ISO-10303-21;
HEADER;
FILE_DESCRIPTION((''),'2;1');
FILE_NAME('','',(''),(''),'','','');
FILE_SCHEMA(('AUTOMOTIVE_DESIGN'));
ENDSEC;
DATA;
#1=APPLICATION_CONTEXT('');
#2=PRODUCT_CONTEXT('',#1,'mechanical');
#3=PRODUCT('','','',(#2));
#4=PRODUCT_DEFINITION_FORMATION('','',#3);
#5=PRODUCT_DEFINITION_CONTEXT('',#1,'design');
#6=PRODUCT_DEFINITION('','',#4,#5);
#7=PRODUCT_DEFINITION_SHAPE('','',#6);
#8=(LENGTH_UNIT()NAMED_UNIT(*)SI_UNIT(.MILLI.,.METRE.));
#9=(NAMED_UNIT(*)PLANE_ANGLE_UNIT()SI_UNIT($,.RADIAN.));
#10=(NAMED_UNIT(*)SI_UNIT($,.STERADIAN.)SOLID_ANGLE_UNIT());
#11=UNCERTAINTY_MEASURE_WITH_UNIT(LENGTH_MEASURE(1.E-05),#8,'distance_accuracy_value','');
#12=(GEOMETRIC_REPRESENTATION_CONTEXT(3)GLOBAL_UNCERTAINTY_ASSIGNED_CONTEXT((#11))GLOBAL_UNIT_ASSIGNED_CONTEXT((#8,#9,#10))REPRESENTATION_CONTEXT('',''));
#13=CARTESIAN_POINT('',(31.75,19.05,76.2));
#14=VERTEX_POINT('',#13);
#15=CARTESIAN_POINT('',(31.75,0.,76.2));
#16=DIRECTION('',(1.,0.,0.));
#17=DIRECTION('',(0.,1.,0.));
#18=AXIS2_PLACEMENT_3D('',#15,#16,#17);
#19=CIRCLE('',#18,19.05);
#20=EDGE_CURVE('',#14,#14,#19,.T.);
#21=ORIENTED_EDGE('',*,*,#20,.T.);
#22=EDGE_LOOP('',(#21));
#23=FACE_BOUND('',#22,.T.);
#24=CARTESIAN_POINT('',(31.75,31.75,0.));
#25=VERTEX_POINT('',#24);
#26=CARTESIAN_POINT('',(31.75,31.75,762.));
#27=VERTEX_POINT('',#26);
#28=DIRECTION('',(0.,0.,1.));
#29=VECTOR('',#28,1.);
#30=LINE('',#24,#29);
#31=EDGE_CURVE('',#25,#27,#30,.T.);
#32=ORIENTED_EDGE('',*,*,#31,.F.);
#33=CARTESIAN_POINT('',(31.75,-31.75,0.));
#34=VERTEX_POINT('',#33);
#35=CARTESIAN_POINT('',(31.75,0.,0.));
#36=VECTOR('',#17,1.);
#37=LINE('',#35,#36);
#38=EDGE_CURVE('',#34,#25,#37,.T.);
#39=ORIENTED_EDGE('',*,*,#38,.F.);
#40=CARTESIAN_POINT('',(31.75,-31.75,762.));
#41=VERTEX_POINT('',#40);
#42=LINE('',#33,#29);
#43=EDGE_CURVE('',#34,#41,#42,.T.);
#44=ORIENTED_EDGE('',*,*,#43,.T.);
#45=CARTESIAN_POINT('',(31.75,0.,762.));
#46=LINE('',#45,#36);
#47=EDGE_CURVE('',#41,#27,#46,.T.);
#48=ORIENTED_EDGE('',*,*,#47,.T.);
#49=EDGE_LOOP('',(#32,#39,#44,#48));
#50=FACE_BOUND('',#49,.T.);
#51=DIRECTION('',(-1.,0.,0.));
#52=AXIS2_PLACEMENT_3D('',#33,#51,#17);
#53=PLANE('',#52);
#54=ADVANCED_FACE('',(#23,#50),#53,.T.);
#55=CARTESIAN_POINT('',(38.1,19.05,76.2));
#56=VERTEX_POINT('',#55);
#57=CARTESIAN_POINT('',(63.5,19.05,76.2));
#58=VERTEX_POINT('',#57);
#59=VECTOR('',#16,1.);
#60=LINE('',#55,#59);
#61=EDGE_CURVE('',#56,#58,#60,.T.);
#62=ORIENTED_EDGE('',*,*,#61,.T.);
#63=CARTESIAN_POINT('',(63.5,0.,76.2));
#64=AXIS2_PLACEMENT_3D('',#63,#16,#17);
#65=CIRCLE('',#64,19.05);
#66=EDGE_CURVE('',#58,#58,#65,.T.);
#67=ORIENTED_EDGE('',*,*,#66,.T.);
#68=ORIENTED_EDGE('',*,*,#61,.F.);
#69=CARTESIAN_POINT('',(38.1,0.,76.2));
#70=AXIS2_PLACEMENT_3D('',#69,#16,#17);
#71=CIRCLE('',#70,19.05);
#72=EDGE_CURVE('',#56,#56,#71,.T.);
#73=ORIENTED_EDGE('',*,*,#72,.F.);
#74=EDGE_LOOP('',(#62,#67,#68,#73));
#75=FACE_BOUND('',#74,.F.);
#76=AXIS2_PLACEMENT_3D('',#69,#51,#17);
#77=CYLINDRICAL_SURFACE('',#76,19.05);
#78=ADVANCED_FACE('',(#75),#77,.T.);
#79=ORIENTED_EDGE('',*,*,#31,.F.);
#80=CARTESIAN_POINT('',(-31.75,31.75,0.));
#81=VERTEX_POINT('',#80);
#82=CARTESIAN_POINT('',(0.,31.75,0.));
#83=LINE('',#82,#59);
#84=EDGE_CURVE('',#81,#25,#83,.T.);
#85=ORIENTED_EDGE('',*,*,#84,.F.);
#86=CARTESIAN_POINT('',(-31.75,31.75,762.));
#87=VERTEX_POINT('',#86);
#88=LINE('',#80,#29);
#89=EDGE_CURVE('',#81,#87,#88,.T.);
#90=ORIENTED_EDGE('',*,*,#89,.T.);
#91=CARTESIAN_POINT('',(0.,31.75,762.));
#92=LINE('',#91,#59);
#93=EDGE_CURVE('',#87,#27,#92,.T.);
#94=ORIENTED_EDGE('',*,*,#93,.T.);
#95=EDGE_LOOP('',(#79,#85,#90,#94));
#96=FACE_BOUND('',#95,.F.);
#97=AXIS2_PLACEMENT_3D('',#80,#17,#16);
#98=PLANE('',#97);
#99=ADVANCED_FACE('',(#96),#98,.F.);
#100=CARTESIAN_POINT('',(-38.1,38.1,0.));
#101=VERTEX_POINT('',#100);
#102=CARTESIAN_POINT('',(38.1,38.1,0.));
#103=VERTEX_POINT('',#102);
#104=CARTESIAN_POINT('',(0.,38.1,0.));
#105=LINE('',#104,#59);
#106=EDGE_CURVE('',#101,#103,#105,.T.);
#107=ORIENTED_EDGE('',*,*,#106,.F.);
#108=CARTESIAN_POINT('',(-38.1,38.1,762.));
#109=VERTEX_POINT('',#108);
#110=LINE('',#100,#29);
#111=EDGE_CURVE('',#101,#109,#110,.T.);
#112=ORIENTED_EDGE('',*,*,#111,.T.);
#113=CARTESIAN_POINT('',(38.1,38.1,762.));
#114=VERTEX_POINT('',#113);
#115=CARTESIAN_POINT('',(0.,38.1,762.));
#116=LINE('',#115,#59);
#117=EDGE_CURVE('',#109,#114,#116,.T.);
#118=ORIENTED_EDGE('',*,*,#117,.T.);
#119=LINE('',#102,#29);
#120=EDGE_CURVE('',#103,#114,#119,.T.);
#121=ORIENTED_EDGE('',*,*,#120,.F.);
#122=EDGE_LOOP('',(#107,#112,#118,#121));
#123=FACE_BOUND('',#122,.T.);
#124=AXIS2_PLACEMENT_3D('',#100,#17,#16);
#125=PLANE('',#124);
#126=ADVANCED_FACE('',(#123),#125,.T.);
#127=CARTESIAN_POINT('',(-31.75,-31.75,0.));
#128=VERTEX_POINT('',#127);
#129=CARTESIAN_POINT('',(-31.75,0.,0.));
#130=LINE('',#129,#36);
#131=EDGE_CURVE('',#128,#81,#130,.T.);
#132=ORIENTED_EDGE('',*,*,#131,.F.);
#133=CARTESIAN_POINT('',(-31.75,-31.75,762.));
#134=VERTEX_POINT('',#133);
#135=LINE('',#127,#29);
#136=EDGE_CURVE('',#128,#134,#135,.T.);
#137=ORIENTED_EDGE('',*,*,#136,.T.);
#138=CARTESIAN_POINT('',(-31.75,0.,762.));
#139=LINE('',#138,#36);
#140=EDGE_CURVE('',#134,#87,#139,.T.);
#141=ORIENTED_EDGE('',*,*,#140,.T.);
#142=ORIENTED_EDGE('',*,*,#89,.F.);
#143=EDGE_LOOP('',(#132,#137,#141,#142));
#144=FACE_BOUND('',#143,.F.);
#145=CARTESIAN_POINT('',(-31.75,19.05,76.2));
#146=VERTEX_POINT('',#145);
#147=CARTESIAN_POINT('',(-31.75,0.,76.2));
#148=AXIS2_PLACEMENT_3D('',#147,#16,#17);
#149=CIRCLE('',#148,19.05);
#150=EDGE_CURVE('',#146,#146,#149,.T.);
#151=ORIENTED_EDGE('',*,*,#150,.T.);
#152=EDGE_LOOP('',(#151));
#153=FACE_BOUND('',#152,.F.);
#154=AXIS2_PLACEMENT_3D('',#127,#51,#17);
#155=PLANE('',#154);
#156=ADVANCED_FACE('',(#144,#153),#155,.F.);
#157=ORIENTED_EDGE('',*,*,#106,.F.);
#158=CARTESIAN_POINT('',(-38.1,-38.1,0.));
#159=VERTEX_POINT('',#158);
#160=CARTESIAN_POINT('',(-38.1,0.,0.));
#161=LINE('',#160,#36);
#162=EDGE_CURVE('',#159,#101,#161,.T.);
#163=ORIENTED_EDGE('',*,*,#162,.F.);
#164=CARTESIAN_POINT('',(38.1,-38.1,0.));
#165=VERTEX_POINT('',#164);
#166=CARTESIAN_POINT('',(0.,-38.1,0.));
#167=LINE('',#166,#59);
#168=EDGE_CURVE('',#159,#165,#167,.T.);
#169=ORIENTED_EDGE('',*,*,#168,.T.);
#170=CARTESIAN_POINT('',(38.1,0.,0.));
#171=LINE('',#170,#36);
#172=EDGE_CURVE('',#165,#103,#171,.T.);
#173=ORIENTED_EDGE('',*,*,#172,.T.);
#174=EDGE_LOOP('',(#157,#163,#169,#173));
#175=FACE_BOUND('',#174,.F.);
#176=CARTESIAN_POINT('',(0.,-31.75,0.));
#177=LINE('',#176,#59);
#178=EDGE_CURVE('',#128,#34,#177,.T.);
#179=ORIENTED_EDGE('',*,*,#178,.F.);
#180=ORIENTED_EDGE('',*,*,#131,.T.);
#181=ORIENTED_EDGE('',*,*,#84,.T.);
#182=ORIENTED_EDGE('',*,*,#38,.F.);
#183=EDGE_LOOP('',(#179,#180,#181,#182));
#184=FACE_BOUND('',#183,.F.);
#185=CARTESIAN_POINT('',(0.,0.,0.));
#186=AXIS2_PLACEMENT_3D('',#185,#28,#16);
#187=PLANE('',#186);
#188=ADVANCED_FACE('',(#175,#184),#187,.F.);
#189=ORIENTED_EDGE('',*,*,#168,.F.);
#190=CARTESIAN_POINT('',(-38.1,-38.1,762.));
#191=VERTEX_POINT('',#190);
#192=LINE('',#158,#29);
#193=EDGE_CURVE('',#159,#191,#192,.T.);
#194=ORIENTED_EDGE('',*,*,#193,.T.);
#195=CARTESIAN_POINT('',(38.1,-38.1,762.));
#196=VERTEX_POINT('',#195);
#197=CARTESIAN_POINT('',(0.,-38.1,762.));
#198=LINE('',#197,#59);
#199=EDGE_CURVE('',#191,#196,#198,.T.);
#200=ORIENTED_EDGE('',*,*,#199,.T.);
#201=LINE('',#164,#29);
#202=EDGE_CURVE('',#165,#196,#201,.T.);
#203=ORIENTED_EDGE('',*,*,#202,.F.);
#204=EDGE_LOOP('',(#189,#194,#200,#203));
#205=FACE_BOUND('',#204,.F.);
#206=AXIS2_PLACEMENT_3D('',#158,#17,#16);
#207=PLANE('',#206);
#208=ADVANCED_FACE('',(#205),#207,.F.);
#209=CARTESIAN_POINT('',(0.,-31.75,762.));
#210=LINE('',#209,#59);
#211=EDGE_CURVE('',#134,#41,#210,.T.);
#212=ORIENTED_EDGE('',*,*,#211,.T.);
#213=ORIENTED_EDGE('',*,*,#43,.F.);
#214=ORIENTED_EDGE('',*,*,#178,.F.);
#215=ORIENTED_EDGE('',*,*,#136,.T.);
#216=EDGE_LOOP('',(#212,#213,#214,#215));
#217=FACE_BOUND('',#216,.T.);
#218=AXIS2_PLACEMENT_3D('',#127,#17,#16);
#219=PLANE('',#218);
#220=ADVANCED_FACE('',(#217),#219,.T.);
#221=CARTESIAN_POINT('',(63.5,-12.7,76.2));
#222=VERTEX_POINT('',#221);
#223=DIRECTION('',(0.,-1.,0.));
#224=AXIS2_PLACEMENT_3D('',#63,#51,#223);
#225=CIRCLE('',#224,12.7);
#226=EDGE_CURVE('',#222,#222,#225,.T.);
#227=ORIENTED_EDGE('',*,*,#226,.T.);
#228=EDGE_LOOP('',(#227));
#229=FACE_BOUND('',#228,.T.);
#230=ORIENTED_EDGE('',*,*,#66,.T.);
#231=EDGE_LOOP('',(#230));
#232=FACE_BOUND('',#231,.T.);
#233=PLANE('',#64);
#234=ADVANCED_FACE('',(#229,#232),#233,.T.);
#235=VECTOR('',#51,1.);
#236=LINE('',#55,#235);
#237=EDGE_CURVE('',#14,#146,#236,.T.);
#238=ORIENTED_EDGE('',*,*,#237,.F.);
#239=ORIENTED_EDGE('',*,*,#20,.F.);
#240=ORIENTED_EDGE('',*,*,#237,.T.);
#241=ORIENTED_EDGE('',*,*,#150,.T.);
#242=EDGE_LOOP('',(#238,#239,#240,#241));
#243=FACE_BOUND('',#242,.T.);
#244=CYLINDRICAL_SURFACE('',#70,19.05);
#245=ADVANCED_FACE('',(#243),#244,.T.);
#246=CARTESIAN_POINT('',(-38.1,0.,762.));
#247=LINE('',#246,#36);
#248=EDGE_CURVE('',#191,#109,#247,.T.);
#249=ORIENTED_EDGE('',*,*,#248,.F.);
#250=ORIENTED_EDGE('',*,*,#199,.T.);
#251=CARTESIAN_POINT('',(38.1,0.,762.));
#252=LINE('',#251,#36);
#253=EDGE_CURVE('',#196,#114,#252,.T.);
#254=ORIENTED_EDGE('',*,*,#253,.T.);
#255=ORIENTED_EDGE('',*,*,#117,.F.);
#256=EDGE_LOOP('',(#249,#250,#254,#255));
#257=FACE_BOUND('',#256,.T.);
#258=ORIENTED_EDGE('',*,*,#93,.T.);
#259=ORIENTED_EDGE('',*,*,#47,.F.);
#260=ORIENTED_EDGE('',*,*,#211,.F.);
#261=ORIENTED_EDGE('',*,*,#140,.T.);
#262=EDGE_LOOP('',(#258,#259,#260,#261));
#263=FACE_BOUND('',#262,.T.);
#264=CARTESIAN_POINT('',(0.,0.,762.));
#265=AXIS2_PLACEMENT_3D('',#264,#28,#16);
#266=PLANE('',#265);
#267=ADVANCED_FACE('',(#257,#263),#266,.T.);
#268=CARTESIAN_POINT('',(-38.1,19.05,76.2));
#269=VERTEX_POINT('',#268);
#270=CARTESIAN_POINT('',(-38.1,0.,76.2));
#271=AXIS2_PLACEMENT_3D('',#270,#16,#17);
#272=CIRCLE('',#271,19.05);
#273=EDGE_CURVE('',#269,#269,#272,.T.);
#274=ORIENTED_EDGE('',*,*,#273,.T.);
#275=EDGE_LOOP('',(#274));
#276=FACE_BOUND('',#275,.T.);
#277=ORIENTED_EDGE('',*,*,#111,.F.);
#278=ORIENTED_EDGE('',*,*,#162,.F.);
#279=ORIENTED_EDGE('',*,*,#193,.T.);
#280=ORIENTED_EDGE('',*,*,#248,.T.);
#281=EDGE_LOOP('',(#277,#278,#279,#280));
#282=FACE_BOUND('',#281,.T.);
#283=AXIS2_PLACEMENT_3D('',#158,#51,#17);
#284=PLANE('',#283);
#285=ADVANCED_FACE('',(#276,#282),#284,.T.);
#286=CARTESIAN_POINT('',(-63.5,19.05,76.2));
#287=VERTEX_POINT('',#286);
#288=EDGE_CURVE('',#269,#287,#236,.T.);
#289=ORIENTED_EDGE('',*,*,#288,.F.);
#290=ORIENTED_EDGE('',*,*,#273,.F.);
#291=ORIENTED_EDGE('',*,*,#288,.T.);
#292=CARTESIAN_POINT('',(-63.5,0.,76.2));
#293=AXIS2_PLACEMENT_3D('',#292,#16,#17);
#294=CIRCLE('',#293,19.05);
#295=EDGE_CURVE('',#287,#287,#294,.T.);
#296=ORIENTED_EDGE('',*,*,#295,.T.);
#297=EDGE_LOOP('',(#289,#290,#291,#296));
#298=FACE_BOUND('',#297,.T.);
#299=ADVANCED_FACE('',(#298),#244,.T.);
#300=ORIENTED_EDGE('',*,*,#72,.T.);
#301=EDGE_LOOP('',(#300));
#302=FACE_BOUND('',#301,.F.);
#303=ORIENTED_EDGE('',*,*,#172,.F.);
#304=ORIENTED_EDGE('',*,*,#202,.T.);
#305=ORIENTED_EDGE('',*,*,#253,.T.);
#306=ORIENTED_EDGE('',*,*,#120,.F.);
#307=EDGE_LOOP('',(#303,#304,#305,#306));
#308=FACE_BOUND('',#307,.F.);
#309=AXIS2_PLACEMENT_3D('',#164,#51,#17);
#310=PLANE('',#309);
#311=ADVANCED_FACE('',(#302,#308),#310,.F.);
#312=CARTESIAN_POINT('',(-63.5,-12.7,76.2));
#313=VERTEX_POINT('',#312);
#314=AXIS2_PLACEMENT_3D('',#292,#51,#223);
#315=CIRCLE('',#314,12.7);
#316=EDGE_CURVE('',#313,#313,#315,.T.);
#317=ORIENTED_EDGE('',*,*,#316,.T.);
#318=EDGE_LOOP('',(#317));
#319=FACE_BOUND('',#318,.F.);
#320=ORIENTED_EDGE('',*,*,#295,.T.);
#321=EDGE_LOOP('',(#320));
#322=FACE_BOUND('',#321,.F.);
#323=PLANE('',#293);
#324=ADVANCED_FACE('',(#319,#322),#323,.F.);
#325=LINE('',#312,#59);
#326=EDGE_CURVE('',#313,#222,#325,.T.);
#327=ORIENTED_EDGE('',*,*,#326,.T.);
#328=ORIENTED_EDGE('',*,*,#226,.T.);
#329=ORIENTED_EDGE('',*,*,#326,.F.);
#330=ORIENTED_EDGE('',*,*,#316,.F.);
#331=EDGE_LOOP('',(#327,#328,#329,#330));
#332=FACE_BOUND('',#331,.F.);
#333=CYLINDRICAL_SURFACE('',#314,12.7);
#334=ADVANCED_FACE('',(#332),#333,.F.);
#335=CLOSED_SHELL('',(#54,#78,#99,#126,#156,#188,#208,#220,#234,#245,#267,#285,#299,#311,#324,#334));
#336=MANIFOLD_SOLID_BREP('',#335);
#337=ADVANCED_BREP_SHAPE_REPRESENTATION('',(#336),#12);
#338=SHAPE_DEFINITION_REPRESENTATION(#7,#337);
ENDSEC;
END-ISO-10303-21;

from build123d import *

# Parameters (mm, degrees)
F0_W          = 76.2
F0_H          = 76.2
F0_W_2        = 63.5
F0_H_2        = 63.5
F1_DEPTH      = 762
F2_R          = 19.05
F3_DEPTH      = 25.4
F3_DEPTH_BACK = 101.6
F4_R          = 12.7
F5_DEPTH      = 127.001


with BuildPart() as f1:
    # F0 (on Top) → F1 (new body)
    with BuildSketch(Plane.XY):
        Rectangle(F0_W, F0_H)
        Rectangle(F0_W_2, F0_H_2, mode=Mode.SUBTRACT)
    extrude(amount=F1_DEPTH)

    # F2 (on face) → F3 (join, two sides)
    with BuildSketch(Plane.YZ.offset(38.1)) as f3_sk:
        with Locations((0, 76.2)):
            Circle(F2_R)
    extrude(amount=F3_DEPTH)
    extrude(f3_sk.sketch, amount=-F3_DEPTH_BACK)

    # F4 (on face) → F5 (cut, through all)
    with BuildSketch(Plane(origin=(-63.5, 0, 0), x_dir=(0, -1, 0), z_dir=(-1, 0, 0))):
        with Locations((0, 76.2)):
            Circle(F4_R)
    extrude(amount=-F5_DEPTH, mode=Mode.SUBTRACT)


solid = f1.part
